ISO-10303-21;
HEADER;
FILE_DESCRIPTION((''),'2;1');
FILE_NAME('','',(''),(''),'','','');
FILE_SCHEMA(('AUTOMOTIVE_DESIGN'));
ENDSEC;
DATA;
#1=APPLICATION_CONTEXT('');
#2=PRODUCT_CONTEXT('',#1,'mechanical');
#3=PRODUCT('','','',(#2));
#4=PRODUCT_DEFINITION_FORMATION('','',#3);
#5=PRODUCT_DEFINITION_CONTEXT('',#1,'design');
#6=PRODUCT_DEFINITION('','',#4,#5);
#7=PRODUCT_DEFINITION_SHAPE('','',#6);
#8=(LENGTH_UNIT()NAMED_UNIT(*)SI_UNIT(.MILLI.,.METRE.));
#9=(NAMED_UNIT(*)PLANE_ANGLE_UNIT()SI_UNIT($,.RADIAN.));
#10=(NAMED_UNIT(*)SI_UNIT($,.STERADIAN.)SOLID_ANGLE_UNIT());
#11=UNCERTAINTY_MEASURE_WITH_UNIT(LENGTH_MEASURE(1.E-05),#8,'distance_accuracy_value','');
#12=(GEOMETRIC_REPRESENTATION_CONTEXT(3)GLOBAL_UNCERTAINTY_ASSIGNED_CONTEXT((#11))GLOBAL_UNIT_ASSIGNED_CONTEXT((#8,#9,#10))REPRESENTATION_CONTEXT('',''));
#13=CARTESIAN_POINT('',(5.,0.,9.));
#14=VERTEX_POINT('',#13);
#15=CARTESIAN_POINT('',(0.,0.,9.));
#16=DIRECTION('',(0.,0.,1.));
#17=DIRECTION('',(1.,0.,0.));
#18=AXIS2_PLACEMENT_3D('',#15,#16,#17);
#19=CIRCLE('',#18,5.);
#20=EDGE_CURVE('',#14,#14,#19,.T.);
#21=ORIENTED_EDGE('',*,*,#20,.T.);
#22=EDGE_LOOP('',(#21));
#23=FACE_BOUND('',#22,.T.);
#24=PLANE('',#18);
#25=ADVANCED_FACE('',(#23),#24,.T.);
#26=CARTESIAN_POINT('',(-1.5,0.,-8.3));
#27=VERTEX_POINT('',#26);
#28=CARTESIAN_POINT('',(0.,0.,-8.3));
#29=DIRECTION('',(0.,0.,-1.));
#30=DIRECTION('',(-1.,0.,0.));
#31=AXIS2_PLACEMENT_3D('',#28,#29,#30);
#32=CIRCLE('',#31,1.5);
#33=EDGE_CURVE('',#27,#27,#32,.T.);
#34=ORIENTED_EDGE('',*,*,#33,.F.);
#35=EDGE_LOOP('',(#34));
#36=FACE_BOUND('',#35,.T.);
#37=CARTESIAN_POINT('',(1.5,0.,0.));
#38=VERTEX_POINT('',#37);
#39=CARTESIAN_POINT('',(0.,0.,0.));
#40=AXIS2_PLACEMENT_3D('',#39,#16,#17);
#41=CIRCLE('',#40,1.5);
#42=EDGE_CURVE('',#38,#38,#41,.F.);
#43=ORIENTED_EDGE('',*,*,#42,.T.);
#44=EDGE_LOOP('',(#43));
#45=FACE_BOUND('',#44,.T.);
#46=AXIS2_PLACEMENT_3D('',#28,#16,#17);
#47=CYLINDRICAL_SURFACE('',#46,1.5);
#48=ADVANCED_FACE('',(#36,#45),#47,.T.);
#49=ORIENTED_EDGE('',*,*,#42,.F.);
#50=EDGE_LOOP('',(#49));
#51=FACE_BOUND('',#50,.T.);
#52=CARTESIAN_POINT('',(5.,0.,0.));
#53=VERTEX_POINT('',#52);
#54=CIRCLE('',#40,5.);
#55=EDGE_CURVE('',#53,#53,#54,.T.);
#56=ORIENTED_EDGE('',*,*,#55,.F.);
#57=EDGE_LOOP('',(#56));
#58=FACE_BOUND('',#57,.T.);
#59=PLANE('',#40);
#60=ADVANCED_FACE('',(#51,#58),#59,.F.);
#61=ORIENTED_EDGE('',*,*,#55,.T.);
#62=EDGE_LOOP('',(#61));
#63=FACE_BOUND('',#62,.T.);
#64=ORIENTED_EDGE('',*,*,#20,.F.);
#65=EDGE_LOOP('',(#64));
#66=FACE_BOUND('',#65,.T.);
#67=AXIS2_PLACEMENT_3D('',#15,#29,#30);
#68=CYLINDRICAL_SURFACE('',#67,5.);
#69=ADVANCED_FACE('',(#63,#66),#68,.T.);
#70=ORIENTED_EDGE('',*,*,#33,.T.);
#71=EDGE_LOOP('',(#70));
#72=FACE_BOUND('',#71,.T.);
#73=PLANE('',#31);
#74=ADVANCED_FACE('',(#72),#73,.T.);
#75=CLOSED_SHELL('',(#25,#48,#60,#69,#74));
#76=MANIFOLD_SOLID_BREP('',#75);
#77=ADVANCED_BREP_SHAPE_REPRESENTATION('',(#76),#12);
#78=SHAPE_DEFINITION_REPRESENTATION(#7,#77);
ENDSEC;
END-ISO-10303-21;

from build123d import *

# Parameters (mm, degrees)
SKETCH_1_R      = 5
EXTRUDE_1_DEPTH = 9
SKETCH_2_R      = 1.5
EXTRUDE_2_DEPTH = 8.3


with BuildPart() as part:
    # 草图1 → 凸台-拉伸1 (new body)
    with BuildSketch(Plane.XY):
        Circle(SKETCH_1_R)
    extrude(amount=EXTRUDE_1_DEPTH)

    # 草图2 → 凸台-拉伸2 (add)
    with BuildSketch(Plane(origin=(0, 0, 0), x_dir=(-1, 0, 0), z_dir=(0, 0, -1))):
        Circle(SKETCH_2_R)
    extrude(amount=EXTRUDE_2_DEPTH)


solid = part.part
